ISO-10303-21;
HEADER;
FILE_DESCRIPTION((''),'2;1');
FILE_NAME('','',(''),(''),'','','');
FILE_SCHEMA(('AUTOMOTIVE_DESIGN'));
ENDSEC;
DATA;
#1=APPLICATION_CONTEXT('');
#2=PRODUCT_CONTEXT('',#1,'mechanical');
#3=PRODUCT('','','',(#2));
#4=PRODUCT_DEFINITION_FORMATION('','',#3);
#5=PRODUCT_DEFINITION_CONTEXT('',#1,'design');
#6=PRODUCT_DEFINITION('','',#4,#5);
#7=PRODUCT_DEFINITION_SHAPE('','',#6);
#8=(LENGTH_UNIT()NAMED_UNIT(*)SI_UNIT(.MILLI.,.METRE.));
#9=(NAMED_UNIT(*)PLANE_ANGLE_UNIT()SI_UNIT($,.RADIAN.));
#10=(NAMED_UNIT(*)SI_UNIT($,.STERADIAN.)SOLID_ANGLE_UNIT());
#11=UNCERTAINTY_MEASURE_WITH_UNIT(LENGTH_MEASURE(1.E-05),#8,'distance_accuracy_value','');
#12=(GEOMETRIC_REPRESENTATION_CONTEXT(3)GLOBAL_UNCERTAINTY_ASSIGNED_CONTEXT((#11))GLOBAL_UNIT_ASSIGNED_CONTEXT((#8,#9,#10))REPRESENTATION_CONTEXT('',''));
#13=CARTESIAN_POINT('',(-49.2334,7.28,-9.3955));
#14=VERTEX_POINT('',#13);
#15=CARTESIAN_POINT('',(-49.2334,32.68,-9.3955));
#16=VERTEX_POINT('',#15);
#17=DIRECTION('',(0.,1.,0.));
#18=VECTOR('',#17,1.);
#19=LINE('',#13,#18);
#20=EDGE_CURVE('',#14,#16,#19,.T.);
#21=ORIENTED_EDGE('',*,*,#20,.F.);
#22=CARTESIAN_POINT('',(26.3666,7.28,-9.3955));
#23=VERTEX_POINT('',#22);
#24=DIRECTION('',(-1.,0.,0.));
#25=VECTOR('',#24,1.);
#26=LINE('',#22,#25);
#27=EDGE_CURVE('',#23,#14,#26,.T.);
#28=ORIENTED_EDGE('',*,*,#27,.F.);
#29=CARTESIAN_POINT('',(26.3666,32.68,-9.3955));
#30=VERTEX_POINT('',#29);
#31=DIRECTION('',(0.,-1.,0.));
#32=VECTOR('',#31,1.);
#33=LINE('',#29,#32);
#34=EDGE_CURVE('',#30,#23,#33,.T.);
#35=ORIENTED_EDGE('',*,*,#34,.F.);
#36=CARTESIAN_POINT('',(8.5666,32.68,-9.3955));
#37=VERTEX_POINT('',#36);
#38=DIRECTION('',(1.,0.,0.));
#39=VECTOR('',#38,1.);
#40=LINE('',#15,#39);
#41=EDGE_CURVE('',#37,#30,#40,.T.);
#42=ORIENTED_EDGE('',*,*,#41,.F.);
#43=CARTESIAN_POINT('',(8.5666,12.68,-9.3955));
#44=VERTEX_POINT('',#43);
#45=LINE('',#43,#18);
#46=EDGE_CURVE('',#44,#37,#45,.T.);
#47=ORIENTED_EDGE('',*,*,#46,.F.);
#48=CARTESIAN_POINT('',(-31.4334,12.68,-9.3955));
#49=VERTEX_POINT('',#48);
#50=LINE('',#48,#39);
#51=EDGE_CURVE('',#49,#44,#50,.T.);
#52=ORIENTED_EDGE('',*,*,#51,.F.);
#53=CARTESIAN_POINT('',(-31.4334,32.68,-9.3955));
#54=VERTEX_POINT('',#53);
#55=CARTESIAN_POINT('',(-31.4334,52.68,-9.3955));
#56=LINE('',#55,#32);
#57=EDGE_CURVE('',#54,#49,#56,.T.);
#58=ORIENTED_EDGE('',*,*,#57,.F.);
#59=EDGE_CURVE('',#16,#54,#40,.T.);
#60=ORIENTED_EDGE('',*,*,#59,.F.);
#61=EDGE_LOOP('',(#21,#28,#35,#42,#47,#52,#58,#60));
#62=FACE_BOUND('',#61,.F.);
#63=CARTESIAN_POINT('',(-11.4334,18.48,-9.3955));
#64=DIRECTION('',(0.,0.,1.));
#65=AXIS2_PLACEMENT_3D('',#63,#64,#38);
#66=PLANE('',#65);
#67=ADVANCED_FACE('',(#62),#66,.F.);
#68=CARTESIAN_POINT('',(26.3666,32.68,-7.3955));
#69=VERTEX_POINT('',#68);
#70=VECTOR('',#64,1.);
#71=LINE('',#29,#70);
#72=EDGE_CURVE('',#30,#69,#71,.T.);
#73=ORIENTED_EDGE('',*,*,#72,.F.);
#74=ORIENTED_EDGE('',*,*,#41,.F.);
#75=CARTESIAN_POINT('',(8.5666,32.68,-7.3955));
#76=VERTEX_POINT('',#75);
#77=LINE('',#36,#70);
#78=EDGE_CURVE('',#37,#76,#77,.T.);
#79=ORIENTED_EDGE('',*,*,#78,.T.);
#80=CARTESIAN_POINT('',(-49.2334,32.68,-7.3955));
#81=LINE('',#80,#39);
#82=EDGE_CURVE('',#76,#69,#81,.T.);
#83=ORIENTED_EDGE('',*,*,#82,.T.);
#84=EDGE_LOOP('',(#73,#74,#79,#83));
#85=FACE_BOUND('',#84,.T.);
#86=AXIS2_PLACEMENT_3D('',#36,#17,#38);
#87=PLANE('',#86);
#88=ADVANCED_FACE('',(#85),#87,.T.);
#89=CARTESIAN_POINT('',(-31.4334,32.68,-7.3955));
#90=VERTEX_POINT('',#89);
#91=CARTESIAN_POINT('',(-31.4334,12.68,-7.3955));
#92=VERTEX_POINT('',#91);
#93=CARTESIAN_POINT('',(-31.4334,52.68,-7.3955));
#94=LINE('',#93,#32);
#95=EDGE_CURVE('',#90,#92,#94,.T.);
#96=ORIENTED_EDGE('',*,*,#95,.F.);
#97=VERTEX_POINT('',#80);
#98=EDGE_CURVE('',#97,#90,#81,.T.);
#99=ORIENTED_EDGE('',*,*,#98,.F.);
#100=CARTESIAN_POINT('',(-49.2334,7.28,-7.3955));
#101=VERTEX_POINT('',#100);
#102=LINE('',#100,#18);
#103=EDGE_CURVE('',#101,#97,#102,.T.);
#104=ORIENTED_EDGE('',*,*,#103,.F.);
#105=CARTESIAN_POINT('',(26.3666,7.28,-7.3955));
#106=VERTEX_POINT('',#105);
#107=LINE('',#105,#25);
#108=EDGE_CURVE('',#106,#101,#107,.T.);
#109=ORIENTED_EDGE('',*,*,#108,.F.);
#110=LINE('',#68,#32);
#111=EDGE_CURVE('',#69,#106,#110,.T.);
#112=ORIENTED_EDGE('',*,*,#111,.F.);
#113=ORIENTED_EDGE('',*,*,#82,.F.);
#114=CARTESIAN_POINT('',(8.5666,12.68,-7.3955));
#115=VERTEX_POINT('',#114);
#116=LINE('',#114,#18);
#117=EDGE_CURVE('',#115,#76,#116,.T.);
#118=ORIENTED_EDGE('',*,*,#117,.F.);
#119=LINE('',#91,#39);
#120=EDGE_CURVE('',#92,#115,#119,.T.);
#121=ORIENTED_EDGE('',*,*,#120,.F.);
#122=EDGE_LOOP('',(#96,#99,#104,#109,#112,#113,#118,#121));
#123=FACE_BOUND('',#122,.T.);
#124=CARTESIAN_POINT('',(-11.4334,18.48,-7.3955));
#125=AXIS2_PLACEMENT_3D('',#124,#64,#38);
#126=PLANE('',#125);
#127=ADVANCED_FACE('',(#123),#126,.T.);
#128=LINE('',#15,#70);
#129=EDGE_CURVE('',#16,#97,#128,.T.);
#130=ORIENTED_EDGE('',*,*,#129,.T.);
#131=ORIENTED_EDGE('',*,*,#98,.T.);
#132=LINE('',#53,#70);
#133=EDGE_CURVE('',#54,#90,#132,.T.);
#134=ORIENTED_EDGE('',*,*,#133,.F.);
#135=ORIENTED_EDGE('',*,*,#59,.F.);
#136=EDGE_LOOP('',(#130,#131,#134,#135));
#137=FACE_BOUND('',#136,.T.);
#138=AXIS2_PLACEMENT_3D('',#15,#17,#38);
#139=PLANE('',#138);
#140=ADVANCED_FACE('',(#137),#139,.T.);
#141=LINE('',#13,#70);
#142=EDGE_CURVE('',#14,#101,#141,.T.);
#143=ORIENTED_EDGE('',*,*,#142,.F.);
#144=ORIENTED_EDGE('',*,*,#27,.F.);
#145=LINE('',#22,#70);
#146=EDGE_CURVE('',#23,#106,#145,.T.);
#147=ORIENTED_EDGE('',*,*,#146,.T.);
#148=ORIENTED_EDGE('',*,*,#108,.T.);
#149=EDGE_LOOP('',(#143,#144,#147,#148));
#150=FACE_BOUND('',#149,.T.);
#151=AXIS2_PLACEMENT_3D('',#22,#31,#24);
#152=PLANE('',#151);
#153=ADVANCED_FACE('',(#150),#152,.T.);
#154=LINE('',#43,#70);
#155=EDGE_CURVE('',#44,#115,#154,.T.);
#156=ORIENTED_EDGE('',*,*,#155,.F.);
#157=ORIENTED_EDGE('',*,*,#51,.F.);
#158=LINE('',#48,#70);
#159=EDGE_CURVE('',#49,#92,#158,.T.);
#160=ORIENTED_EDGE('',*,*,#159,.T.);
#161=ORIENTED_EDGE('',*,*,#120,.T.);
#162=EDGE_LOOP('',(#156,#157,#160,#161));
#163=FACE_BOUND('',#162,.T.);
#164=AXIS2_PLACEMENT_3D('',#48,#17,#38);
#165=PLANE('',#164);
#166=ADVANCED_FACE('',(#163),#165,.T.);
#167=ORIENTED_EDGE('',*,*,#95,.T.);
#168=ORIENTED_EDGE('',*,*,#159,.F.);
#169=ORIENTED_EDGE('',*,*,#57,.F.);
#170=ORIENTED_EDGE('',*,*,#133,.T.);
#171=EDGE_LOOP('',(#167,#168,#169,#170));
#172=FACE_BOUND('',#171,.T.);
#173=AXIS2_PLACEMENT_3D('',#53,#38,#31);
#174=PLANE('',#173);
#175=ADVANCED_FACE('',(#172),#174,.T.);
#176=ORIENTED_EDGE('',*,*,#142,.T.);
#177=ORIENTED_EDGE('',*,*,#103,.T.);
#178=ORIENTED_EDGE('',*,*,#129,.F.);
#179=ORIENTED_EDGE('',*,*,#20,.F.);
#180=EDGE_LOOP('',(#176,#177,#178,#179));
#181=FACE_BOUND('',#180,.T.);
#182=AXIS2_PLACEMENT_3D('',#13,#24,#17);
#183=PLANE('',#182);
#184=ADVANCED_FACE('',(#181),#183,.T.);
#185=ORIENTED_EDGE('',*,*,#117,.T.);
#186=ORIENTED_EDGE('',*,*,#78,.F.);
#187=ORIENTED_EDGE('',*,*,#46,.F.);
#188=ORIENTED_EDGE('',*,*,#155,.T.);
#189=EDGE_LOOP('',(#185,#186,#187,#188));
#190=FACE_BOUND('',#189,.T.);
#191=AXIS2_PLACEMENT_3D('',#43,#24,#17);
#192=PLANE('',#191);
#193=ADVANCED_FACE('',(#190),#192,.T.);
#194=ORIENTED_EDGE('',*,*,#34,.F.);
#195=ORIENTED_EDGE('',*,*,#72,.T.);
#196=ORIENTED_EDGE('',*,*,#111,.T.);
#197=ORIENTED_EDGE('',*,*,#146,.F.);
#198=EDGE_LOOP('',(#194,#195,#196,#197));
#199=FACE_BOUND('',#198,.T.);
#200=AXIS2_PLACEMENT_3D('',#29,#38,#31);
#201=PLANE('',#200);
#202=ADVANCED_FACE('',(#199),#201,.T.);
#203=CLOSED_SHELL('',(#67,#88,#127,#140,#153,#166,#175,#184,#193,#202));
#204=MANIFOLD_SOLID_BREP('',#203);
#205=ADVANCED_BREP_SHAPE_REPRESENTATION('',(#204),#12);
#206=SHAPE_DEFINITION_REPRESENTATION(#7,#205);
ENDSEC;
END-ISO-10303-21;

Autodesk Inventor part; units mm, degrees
ref_plane "YZ Plane" through (0, 0, 0) normal (1, 0, 0) x (0, 1, 0)
ref_plane "XZ Plane" through (0, 0, 0) normal (0, 1, 0) x (-1, 0, 0)
ref_plane "XY Plane" through (0, 0, 0) normal (0, 0, 1) x (1, 0, 0)
ref_plane "Arbeitsebene1" through (-11.4334, 18.48, -9.3955) normal (0, 0, 1) x (1, 0, 0)
sketch "Skizze1" plane through (-11.4334, 18.48, -9.3955) normal (0, 0, 1) x (1, 0, 0)
  line L0 (-38, 14.4) -> (38, 14.4) projected
  line L1 (-38, -11.4) -> (-38, 14.4) projected
  line L2 (38, -11.4) -> (-38, -11.4) projected
  line L3 (38, 14.4) -> (38, -11.4) projected
  line L4 (-37.8, 14.2) -> (37.8, 14.2)
  line L5 (37.8, 14.2) -> (37.8, -11.2)
  line L6 (37.8, -11.2) -> (-37.8, -11.2)
  line L7 (-37.8, -11.2) -> (-37.8, 14.2)
  line L8 (20, 34.2) -> (-20, 34.2)
  line L9 (-20, 34.2) -> (-20, -5.8)
  line L10 (-20, -5.8) -> (20, -5.8)
  line L11 (20, -5.8) -> (20, 34.2)
  line L12 (20, 34.2) -> (-20, -5.8) construction
  line L13 (-20, 34.2) -> (20, -5.8) construction
  point P0 (11.4334, -18.48)
  point P1 (0, 14.2)
  point P2 (-20, 14.2)
  point P3 (20, 14.2)
  point P4 (20, 14.2)
  point P5 (-20, 14.2)
  dimension "d0" = 0.2
  dimension "d1" = 20
  dimension "d2" = 40
extrude "Extrusion1" add sketch "Skizze1" along normal blind 2 contours L9 L10 L11 L4 L5 L6 L7
properties part number "30_XYTabel_Aliexpress_cellSTORM_chiptray_spacer"
